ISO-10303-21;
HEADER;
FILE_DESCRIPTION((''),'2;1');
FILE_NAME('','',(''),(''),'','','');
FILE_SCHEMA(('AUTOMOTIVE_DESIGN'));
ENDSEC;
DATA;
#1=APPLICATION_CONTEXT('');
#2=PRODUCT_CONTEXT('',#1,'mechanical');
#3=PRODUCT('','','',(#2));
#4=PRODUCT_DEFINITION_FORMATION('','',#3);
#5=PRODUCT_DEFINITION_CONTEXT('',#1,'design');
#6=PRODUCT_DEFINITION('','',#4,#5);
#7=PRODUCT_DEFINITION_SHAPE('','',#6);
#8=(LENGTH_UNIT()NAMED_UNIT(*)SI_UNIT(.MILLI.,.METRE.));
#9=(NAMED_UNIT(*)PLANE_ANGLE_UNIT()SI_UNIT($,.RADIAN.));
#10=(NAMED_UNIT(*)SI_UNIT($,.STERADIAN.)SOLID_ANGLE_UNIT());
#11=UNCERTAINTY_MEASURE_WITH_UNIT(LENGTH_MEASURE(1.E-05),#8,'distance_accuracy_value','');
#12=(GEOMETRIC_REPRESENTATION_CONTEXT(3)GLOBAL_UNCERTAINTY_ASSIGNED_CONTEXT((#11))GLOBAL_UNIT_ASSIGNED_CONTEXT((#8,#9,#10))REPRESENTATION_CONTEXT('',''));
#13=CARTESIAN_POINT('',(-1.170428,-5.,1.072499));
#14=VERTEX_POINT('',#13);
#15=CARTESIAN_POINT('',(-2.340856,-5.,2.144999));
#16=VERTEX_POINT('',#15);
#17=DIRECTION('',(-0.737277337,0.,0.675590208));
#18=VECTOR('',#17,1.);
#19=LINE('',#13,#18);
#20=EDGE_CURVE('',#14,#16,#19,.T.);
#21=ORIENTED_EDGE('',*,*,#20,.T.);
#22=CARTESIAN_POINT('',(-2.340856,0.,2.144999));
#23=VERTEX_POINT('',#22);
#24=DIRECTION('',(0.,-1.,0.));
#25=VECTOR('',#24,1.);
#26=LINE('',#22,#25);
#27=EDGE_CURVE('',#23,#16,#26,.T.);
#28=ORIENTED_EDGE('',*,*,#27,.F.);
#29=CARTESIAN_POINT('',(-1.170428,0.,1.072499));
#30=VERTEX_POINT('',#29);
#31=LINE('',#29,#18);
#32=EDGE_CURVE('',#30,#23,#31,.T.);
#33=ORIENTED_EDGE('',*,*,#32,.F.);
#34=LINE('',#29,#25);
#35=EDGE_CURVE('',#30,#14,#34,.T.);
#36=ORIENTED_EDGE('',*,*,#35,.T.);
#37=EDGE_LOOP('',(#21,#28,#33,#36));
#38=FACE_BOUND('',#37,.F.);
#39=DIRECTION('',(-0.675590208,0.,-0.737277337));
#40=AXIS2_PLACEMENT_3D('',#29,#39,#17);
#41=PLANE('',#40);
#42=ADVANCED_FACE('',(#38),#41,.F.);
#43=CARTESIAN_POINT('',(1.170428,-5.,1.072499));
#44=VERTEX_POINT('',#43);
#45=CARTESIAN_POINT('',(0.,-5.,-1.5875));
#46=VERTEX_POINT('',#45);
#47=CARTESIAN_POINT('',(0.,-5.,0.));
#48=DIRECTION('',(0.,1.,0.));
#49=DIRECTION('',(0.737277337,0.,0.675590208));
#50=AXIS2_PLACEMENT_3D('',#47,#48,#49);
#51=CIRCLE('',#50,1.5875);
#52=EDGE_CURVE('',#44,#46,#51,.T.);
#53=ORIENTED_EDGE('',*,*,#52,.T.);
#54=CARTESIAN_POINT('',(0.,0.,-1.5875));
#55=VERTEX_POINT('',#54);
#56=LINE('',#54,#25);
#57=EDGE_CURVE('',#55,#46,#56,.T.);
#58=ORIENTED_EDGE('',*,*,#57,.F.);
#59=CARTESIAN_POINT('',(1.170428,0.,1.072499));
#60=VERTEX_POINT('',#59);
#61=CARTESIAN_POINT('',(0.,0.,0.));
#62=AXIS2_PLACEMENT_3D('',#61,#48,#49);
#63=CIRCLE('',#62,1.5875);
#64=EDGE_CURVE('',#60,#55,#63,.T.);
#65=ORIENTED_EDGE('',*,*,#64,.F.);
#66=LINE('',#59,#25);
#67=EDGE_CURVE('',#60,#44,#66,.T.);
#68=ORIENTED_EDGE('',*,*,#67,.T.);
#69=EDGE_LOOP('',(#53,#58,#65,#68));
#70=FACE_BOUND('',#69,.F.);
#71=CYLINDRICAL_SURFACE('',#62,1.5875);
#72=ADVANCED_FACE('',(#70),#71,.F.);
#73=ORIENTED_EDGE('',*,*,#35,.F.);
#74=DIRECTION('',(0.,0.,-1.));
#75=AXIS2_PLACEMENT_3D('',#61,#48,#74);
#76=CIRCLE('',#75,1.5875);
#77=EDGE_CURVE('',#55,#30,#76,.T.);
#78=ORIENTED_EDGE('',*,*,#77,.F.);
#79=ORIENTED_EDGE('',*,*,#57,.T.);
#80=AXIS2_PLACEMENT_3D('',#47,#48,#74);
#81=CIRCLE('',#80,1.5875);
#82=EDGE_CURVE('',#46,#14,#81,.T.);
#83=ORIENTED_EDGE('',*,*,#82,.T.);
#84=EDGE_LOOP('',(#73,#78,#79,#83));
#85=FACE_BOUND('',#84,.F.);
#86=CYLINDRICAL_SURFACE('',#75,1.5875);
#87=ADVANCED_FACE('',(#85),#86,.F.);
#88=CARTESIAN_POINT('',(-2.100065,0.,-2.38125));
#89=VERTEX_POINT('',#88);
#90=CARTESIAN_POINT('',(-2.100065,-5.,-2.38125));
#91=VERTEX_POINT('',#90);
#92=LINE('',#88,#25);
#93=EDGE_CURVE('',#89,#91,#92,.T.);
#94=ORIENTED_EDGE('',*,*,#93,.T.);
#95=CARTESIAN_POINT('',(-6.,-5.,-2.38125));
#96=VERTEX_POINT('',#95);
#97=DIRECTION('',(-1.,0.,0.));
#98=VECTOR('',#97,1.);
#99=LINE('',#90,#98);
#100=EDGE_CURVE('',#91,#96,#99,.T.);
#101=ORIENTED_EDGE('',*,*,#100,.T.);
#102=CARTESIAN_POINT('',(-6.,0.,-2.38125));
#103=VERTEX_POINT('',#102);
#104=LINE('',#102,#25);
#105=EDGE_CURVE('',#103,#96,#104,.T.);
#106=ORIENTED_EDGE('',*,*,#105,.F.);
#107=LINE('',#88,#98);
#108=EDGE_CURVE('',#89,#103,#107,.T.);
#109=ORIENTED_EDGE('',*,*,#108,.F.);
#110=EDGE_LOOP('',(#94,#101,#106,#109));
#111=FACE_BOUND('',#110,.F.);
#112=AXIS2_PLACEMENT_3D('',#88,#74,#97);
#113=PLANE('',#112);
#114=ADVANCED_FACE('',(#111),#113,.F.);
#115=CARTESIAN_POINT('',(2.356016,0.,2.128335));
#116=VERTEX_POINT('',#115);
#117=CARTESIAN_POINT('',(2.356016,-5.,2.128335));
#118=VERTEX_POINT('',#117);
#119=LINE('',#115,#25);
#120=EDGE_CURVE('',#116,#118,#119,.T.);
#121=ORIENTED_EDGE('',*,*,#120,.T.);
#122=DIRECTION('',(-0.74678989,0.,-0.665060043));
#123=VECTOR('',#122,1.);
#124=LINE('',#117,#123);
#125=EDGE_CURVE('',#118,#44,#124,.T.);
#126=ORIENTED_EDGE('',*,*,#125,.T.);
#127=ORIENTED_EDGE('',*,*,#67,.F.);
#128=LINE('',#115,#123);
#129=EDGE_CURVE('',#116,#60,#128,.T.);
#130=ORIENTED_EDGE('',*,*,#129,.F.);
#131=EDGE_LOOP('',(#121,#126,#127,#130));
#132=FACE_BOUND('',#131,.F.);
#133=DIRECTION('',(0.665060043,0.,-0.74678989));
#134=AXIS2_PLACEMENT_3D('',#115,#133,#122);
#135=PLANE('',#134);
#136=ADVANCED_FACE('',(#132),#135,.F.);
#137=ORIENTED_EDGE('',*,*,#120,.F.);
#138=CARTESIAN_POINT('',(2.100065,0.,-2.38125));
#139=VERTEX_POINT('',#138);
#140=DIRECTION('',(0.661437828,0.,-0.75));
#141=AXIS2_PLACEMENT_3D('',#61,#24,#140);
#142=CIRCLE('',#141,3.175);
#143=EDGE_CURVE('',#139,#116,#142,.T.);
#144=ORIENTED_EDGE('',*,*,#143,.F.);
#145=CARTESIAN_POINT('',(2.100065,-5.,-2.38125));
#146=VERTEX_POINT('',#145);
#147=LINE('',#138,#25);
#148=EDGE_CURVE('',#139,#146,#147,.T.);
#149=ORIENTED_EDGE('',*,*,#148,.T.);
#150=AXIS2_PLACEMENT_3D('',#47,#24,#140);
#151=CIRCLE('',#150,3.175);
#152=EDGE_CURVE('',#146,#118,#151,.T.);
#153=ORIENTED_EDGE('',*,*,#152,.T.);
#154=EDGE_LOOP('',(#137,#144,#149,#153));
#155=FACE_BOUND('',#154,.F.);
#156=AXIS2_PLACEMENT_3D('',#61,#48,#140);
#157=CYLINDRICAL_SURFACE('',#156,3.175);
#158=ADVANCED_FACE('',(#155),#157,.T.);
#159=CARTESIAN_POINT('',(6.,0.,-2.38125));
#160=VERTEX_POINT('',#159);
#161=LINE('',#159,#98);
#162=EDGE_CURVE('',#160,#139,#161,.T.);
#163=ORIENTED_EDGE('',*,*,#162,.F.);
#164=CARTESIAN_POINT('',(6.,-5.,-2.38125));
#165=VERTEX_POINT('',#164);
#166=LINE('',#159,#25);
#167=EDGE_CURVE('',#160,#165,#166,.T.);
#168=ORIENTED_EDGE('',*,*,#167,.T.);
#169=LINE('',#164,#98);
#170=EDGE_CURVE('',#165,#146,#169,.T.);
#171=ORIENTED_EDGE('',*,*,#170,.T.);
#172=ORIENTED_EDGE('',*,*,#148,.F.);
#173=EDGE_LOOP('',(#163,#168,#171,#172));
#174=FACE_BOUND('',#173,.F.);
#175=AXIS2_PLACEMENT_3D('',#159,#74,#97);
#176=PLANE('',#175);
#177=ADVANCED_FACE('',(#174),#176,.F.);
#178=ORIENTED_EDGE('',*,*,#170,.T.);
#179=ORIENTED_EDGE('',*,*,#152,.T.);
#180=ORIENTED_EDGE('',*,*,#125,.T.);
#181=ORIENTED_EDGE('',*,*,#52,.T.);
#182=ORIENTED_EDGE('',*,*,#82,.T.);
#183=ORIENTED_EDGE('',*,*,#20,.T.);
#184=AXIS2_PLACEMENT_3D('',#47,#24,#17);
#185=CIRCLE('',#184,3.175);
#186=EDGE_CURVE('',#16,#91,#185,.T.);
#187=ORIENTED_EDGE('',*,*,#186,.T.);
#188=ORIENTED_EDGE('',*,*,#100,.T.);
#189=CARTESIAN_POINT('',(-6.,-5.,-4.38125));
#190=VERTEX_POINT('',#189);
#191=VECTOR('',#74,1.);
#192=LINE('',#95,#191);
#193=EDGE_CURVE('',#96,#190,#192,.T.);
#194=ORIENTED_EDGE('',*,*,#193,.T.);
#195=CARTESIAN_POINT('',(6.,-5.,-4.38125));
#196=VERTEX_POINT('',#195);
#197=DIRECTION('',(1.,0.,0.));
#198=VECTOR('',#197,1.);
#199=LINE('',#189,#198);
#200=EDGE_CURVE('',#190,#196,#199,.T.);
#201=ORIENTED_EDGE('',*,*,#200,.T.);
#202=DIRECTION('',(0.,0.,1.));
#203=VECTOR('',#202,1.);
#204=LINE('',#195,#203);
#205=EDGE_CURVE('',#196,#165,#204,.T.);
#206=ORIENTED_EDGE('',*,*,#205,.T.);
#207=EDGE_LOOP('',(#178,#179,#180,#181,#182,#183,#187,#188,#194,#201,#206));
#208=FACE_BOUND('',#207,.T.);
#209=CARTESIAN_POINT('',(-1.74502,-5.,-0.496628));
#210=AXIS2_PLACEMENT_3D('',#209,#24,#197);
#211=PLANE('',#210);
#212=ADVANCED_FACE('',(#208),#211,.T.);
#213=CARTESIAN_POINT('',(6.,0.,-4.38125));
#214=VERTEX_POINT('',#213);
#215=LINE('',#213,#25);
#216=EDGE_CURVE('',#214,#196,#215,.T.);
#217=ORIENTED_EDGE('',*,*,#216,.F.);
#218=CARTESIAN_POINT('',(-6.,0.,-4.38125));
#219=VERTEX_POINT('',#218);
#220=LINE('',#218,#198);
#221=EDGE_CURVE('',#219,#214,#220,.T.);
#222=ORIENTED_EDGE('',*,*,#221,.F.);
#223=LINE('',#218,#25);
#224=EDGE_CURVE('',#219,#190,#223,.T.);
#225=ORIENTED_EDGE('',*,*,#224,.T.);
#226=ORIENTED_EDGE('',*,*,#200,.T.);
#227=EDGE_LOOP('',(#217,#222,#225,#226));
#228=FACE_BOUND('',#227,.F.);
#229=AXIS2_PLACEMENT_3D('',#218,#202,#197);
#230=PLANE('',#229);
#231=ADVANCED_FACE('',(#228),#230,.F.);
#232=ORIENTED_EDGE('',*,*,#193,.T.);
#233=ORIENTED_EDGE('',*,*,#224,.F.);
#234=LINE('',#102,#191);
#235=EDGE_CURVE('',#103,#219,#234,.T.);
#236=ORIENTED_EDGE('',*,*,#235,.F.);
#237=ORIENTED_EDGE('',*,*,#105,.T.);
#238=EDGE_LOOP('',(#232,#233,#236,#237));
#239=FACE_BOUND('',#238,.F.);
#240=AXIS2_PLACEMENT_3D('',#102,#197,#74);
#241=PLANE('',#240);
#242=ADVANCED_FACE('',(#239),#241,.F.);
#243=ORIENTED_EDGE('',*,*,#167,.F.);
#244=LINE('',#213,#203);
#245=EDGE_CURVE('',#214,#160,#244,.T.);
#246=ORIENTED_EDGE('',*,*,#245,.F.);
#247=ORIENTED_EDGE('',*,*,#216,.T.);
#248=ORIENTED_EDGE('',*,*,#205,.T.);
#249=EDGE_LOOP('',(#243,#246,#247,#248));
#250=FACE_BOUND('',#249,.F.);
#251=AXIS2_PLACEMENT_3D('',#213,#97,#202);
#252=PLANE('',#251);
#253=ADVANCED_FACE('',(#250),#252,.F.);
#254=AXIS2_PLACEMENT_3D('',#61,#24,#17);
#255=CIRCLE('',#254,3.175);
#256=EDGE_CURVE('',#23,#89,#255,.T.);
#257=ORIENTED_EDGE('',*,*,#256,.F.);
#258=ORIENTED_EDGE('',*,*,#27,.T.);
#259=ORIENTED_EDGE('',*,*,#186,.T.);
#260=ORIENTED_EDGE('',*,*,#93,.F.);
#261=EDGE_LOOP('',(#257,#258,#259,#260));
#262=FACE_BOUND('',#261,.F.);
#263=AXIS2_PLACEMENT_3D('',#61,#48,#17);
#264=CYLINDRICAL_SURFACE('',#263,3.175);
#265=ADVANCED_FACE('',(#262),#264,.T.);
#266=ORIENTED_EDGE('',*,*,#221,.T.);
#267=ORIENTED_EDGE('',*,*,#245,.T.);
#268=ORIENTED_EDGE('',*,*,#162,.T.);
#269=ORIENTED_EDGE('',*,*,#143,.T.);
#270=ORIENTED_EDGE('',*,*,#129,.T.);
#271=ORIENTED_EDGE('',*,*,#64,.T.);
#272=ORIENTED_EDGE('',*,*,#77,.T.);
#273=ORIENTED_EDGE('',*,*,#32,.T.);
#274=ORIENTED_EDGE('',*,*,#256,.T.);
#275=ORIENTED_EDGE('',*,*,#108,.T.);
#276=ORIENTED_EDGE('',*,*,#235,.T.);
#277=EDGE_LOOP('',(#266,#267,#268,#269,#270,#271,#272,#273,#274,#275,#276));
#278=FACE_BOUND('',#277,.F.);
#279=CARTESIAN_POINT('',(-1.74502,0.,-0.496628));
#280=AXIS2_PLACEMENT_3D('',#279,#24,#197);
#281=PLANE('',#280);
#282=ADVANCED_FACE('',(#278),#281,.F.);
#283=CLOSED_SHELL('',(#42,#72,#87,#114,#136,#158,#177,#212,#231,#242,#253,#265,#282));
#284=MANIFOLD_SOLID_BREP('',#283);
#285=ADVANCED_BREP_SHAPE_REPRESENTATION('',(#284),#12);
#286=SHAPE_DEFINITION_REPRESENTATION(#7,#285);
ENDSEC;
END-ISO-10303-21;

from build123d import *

# Parameters (mm, degrees)
F1_DEPTH = 5


with BuildPart() as f1:
    # F0 (on Front) → F1 (new body)
    with BuildSketch(Plane.XZ):
        with BuildLine():
            ThreePointArc((0, -1.5875), (-1.4530569731, -0.6393603702), (-1.1704277722, 1.0724994546))
            Line((-1.1704277722, 1.0724994546), (-2.3408555444, 2.1449989092))
            ThreePointArc((-2.3408555444, 2.1449989092), (-3.1705167318, -0.1686672868), (-2.1000651032, -2.38125))
            Line((-2.1000651032, -2.38125), (0, -2.38125))
            Line((0, -2.38125), (0, -1.5875))
        make_face()
        with BuildLine():
            ThreePointArc((1.1704277722, 1.0724994546), (1.4530569731, -0.6393603702), (0, -1.5875))
            Line((0, -1.5875), (0, -2.38125))
            Line((0, -2.38125), (2.1000651032, -2.38125))
            ThreePointArc((2.1000651032, -2.38125), (3.1698983875, -0.1799144601), (2.3560164076, 2.1283354263))
            Line((2.3560164076, 2.1283354263), (1.1704277722, 1.0724994546))
        make_face()
        with BuildLine():
            Line((0, -3.175), (0, -2.38125))
            Line((0, -2.38125), (-2.1000651032, -2.38125))
            ThreePointArc((-2.1000651032, -2.38125), (-1.1225320151, -2.9699405508), (0, -3.175))
        make_face()
        with BuildLine():
            Line((2.1000651032, -2.38125), (0, -2.38125))
            Line((0, -2.38125), (0, -3.175))
            ThreePointArc((0, -3.175), (1.1225320151, -2.9699405508), (2.1000651032, -2.38125))
        make_face()
        with BuildLine():
            ThreePointArc((0, -3.175), (-1.1225320151, -2.9699405508), (-2.1000651032, -2.38125))
            Line((-2.1000651032, -2.38125), (-6, -2.38125))
            Line((-6, -2.38125), (-6, -4.38125))
            Line((-6, -4.38125), (6, -4.38125))
            Line((6, -4.38125), (6, -2.38125))
            Line((6, -2.38125), (2.1000651032, -2.38125))
            ThreePointArc((2.1000651032, -2.38125), (1.1225320151, -2.9699405508), (0, -3.175))
        make_face()
    extrude(amount=F1_DEPTH)


solid = f1.part
